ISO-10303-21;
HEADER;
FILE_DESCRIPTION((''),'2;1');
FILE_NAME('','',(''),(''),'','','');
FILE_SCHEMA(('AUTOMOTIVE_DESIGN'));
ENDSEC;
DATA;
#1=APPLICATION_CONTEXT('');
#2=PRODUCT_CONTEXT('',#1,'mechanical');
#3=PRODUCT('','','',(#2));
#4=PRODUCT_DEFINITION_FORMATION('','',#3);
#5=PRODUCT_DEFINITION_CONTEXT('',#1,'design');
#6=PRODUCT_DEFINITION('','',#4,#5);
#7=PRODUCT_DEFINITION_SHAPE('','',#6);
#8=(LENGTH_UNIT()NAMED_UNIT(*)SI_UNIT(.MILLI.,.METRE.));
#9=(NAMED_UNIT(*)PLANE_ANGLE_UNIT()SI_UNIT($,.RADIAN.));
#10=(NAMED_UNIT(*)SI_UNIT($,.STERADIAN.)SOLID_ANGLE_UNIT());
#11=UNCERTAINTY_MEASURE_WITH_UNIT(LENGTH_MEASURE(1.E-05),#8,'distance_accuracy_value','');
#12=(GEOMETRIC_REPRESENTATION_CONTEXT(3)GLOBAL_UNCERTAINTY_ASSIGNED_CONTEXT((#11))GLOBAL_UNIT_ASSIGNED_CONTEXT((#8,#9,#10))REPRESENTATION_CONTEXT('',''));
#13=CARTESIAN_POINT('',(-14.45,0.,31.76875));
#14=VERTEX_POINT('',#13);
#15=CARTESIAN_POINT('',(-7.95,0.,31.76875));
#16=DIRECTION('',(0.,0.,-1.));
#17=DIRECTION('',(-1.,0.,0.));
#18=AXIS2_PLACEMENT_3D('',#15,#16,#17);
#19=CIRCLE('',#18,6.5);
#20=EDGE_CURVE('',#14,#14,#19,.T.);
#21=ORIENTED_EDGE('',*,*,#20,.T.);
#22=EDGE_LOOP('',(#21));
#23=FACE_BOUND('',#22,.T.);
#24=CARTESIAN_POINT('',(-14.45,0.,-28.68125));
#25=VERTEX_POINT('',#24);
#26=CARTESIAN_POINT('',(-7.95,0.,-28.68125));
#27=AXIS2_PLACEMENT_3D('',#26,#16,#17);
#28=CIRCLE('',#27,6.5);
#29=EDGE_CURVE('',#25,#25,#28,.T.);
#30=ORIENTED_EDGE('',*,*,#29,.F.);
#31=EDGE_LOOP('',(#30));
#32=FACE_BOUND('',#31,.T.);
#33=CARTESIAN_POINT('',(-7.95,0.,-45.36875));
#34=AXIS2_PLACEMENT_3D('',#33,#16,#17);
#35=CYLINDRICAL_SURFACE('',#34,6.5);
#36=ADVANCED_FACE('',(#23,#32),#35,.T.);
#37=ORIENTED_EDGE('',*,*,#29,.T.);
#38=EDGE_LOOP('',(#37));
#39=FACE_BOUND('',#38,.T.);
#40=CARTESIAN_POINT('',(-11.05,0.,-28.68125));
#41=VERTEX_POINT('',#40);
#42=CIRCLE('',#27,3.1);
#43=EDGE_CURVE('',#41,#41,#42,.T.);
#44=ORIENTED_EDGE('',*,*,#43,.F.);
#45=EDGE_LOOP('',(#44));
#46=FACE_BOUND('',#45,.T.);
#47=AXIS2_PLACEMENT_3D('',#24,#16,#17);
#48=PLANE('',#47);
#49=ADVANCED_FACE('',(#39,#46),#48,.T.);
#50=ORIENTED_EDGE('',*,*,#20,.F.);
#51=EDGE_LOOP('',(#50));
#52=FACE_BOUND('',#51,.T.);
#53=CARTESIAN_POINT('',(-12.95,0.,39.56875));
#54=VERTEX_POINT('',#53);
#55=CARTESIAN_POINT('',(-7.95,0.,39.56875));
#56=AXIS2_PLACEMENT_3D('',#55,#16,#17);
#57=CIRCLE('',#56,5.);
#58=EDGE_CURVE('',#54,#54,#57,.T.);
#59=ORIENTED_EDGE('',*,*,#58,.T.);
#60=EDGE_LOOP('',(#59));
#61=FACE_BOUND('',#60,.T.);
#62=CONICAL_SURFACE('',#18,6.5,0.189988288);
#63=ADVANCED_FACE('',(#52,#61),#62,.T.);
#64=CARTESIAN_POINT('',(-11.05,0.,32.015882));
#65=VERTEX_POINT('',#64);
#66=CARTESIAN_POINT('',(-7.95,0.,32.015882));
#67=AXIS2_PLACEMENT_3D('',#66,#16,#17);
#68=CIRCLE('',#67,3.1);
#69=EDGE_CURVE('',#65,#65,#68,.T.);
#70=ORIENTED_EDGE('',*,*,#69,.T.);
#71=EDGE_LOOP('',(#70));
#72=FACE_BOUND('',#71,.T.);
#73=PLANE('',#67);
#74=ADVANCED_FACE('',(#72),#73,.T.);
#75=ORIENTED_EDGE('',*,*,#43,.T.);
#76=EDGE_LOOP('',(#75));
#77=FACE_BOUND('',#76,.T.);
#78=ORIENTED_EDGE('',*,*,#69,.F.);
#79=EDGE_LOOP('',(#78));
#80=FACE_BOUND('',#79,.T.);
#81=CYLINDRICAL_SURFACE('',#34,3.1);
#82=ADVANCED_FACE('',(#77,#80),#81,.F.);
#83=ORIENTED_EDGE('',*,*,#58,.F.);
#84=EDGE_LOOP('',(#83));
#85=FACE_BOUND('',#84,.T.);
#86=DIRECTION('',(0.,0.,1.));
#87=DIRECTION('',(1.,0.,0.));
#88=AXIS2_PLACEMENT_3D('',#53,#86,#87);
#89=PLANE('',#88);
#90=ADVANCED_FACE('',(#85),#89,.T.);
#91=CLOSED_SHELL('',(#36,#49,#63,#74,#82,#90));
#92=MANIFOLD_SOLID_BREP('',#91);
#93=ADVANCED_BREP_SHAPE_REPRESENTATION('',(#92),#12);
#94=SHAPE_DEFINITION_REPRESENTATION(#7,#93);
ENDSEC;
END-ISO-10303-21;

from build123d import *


with BuildPart() as part:
    # Sketch2 → Revolve1 (revolve)
    with BuildSketch(Plane(origin=(0, 0, 0), x_dir=(1, 0, 0), z_dir=(0, 1, 0))):
        Polygon((-14.45, 28.68125), (-11.05, 28.68125), (-11.05, -32.015881599), (-7.95, -32.015881599), (-7.95, -39.56875), (-12.95, -39.56875), (-14.45, -31.76875), align=None)
    revolve(axis=Axis((-7.95, 0, -45.36875), (0, 0, 1)))


solid = part.part
